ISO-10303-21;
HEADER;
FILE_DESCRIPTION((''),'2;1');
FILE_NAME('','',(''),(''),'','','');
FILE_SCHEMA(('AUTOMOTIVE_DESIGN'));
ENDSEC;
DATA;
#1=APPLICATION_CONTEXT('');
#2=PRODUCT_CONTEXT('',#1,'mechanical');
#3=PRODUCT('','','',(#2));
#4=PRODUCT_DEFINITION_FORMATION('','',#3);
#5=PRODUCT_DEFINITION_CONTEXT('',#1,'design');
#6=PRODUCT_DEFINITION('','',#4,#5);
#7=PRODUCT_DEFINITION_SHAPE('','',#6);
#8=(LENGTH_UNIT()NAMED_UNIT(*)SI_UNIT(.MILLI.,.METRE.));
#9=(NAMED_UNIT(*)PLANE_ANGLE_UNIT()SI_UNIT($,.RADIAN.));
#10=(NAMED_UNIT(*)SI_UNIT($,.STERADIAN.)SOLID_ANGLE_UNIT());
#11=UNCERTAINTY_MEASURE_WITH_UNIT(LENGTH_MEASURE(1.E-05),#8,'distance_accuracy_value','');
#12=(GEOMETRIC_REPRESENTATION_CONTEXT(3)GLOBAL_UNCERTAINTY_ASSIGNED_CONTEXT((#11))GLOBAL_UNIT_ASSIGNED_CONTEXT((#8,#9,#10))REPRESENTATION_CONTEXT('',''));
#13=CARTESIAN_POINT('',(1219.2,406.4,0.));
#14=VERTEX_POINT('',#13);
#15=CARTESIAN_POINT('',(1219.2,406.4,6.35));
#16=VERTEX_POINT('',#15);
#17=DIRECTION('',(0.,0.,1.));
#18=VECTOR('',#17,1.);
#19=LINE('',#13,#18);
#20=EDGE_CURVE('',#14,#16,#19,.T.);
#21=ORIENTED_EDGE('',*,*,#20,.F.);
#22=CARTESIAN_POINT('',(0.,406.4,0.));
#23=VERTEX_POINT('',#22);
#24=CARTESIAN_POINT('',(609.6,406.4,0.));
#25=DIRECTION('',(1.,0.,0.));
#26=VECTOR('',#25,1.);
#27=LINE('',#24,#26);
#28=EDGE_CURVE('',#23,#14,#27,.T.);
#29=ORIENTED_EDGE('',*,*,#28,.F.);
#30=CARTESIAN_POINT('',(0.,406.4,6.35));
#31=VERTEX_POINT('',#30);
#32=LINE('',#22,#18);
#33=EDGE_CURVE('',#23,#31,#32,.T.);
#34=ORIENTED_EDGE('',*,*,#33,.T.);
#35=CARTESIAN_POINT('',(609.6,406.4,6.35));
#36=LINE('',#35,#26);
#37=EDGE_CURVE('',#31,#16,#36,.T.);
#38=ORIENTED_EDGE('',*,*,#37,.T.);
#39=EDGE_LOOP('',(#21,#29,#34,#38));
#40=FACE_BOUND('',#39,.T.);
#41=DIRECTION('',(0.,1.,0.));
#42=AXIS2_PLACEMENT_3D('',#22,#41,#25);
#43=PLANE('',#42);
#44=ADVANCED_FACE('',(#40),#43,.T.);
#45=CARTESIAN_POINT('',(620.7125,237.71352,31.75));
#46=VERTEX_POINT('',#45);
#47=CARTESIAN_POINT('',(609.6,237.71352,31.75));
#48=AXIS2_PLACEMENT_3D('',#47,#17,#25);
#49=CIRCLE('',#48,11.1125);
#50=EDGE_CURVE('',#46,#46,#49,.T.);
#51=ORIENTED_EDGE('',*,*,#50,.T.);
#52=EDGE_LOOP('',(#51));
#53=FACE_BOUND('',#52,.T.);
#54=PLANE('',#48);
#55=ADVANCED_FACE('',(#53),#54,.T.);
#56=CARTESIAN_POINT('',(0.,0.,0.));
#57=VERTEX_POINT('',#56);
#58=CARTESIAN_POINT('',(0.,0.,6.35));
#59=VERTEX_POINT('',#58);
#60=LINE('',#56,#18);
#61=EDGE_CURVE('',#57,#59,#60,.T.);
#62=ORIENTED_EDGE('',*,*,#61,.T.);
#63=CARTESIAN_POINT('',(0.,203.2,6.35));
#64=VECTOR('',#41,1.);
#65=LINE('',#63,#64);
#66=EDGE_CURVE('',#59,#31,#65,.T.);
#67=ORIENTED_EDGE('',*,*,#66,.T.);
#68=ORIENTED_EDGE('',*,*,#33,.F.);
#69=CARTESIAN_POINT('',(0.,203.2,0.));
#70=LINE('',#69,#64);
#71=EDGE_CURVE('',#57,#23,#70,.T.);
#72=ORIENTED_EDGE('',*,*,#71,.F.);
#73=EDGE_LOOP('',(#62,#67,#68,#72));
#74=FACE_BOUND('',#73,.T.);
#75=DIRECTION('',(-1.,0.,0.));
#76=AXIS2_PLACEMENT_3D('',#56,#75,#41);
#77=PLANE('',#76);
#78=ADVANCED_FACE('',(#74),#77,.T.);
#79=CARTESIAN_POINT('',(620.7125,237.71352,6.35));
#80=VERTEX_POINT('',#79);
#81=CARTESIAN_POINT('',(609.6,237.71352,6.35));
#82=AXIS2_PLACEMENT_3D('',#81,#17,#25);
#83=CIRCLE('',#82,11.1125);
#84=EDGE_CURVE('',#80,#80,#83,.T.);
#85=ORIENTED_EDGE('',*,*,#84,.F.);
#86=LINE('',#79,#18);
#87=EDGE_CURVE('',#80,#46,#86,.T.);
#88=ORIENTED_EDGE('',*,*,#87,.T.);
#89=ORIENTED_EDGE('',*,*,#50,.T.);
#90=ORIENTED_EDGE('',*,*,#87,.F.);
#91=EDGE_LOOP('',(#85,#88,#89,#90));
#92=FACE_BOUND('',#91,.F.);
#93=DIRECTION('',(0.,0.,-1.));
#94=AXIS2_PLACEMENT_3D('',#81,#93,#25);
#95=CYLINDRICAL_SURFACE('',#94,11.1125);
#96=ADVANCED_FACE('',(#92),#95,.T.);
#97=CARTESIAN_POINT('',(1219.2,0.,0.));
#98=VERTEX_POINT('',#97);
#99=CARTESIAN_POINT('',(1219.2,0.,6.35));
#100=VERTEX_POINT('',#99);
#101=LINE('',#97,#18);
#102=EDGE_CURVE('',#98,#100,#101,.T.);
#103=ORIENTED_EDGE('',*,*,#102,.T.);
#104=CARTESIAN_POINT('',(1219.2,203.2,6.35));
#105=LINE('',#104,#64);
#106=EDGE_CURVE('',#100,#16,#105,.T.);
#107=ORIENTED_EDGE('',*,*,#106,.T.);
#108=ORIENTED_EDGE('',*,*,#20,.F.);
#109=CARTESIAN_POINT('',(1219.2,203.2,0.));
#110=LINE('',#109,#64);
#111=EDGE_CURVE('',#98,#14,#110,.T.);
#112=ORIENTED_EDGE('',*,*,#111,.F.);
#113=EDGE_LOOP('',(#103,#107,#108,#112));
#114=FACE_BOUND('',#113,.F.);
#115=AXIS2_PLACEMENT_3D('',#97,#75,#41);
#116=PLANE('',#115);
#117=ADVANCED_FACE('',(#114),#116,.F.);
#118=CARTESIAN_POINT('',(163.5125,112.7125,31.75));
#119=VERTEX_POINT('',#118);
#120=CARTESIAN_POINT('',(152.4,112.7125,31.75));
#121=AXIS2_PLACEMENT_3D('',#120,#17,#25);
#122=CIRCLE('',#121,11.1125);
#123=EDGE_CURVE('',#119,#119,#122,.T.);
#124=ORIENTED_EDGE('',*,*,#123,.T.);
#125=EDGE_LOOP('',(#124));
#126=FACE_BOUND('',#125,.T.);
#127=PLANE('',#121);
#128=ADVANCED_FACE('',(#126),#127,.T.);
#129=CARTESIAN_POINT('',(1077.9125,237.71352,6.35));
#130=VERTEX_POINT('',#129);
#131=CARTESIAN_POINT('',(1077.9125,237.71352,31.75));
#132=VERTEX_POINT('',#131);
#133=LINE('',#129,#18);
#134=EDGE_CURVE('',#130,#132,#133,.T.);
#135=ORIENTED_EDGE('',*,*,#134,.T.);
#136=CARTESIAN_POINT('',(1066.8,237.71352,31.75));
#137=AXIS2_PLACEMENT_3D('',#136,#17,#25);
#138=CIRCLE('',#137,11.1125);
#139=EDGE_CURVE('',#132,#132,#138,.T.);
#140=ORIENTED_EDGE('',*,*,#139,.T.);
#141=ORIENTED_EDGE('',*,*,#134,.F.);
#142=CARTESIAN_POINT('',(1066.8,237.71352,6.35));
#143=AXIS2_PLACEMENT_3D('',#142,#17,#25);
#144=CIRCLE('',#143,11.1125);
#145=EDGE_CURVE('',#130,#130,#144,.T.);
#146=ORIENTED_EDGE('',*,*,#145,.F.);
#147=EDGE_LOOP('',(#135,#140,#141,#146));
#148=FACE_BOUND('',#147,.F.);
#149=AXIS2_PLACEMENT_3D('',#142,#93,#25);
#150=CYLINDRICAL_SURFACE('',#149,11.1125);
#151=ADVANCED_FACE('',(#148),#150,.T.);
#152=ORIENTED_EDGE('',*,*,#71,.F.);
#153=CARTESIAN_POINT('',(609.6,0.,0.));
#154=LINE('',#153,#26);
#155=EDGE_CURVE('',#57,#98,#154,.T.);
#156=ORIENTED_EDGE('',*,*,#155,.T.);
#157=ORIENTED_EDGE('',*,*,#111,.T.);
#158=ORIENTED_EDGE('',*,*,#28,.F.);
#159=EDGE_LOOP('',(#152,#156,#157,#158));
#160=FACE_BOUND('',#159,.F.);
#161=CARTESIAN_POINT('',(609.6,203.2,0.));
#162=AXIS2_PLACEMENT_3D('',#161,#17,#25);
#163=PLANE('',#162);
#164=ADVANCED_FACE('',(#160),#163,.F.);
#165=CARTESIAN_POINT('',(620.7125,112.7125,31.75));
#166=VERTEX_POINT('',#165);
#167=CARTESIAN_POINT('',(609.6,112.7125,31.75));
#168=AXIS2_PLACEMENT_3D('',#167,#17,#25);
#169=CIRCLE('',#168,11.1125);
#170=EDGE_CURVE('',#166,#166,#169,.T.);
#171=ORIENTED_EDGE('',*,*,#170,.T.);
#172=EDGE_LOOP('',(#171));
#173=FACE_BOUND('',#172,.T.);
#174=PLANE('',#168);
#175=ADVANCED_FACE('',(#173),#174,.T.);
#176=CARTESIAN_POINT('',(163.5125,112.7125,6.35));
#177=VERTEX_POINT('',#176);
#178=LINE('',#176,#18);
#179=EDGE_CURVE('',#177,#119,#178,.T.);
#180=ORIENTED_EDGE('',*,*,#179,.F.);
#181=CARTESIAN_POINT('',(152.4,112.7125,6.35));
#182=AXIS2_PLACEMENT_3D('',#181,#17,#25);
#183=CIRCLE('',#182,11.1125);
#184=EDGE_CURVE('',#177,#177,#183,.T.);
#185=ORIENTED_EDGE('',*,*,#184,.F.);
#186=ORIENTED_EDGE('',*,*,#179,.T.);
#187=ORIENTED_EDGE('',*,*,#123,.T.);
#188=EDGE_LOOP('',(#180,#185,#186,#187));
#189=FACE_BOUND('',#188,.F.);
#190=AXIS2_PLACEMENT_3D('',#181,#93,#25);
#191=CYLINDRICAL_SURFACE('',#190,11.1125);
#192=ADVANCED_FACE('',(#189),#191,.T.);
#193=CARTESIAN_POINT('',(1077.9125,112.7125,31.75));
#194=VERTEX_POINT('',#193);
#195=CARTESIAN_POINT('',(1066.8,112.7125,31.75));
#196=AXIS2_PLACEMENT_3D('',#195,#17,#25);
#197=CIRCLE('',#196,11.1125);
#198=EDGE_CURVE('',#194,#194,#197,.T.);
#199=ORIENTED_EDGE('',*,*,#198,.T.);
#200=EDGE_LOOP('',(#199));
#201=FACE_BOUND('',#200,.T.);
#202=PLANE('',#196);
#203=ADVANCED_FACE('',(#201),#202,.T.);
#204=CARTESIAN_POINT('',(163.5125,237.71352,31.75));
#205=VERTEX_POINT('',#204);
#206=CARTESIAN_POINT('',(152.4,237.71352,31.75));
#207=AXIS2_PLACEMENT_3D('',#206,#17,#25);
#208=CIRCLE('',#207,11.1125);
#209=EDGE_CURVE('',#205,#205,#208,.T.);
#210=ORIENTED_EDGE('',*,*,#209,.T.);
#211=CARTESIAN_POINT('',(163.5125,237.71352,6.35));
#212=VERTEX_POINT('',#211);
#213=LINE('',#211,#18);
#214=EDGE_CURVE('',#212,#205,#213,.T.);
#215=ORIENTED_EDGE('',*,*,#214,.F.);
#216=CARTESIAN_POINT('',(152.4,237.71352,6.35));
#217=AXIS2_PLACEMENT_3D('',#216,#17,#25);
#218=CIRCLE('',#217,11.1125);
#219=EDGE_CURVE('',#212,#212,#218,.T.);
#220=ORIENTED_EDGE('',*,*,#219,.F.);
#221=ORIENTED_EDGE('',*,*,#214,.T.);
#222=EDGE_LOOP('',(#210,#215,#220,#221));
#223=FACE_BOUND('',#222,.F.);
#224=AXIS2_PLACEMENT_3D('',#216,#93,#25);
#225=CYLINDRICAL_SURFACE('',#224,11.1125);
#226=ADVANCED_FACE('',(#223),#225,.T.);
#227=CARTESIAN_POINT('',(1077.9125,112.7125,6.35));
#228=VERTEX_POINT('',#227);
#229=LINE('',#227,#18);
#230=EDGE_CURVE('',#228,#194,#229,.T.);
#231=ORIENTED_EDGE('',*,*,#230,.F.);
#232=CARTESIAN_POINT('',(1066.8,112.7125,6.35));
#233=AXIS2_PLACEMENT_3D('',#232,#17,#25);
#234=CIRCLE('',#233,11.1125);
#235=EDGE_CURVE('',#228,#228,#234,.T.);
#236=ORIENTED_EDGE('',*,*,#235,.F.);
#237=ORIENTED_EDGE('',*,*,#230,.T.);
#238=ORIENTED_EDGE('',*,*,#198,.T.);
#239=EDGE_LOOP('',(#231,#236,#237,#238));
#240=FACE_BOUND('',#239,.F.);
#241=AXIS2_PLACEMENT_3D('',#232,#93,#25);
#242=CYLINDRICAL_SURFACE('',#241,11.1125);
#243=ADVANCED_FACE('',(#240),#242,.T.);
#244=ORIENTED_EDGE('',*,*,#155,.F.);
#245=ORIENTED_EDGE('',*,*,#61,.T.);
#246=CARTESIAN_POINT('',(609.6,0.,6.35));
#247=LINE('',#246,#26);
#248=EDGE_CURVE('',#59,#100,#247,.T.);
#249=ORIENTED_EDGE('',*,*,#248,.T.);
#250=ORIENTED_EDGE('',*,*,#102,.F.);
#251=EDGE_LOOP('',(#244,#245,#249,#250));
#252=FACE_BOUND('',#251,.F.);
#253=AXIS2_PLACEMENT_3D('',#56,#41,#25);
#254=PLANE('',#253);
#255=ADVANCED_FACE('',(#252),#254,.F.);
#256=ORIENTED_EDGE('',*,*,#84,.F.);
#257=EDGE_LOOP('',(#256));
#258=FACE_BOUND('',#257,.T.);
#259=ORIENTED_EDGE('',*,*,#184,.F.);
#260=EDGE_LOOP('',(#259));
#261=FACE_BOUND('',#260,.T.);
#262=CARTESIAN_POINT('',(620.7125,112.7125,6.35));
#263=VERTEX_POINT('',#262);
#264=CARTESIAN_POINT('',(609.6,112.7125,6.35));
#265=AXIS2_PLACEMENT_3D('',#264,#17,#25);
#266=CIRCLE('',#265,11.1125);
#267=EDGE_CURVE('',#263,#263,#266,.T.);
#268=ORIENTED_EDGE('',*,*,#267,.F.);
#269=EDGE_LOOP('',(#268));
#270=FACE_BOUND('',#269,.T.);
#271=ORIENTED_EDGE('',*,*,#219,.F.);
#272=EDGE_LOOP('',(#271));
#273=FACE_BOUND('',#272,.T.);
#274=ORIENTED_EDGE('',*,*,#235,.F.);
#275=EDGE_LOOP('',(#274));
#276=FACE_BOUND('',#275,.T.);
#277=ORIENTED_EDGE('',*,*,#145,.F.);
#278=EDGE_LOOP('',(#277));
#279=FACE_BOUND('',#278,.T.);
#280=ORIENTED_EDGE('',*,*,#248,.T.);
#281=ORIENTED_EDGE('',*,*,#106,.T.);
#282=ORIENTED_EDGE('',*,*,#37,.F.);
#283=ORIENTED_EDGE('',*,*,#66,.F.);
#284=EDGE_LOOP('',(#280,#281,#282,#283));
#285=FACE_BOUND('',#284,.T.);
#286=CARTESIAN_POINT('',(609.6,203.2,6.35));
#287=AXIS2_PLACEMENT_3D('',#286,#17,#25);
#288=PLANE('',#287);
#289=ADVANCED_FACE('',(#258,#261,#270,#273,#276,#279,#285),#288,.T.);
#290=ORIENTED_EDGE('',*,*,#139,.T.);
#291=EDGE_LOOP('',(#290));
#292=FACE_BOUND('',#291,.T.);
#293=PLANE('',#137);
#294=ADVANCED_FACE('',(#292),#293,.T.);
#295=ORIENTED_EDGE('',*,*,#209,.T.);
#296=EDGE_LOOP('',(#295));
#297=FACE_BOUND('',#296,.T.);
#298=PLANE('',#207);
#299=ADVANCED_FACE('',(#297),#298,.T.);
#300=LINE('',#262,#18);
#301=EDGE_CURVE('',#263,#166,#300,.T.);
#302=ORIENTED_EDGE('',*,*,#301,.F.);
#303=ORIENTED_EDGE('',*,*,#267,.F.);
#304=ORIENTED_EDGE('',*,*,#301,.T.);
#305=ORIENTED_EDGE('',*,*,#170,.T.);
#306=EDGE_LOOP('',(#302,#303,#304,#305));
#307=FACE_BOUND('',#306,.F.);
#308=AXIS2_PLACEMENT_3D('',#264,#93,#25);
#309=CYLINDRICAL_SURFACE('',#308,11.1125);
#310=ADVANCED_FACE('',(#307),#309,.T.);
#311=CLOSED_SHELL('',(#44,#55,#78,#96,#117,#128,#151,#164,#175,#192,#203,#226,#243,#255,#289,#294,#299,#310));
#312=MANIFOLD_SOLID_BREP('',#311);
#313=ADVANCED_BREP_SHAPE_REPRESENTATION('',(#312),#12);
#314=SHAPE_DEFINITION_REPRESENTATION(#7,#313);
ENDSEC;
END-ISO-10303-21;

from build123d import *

# Parameters (mm, degrees)
F1_W     = 1219.2
F1_H     = 406.4
F2_DEPTH = 6.35
F3_R     = 11.1125
F0_DEPTH = 25.4


with BuildPart() as f2:
    # F1 (on Top) → F2 (new body)
    with BuildSketch(Plane.XY):
        with Locations((609.6, 203.2)):
            Rectangle(F1_W, F1_H)
    extrude(amount=F2_DEPTH)

    # F3 (on face) → F0 (join)
    with BuildSketch(Plane.XY.offset(6.35)):
        with Locations((152.4, 112.7125)):
            Circle(F3_R)
        with Locations((152.4, 237.71352)):
            Circle(F3_R)
        with Locations((609.6, 237.71352)):
            Circle(F3_R)
        with Locations((609.6, 112.7125)):
            Circle(F3_R)
        with Locations((1066.8, 237.71352)):
            Circle(F3_R)
        with Locations((1066.8, 112.7125)):
            Circle(F3_R)
    extrude(amount=F0_DEPTH)


solid = f2.part
